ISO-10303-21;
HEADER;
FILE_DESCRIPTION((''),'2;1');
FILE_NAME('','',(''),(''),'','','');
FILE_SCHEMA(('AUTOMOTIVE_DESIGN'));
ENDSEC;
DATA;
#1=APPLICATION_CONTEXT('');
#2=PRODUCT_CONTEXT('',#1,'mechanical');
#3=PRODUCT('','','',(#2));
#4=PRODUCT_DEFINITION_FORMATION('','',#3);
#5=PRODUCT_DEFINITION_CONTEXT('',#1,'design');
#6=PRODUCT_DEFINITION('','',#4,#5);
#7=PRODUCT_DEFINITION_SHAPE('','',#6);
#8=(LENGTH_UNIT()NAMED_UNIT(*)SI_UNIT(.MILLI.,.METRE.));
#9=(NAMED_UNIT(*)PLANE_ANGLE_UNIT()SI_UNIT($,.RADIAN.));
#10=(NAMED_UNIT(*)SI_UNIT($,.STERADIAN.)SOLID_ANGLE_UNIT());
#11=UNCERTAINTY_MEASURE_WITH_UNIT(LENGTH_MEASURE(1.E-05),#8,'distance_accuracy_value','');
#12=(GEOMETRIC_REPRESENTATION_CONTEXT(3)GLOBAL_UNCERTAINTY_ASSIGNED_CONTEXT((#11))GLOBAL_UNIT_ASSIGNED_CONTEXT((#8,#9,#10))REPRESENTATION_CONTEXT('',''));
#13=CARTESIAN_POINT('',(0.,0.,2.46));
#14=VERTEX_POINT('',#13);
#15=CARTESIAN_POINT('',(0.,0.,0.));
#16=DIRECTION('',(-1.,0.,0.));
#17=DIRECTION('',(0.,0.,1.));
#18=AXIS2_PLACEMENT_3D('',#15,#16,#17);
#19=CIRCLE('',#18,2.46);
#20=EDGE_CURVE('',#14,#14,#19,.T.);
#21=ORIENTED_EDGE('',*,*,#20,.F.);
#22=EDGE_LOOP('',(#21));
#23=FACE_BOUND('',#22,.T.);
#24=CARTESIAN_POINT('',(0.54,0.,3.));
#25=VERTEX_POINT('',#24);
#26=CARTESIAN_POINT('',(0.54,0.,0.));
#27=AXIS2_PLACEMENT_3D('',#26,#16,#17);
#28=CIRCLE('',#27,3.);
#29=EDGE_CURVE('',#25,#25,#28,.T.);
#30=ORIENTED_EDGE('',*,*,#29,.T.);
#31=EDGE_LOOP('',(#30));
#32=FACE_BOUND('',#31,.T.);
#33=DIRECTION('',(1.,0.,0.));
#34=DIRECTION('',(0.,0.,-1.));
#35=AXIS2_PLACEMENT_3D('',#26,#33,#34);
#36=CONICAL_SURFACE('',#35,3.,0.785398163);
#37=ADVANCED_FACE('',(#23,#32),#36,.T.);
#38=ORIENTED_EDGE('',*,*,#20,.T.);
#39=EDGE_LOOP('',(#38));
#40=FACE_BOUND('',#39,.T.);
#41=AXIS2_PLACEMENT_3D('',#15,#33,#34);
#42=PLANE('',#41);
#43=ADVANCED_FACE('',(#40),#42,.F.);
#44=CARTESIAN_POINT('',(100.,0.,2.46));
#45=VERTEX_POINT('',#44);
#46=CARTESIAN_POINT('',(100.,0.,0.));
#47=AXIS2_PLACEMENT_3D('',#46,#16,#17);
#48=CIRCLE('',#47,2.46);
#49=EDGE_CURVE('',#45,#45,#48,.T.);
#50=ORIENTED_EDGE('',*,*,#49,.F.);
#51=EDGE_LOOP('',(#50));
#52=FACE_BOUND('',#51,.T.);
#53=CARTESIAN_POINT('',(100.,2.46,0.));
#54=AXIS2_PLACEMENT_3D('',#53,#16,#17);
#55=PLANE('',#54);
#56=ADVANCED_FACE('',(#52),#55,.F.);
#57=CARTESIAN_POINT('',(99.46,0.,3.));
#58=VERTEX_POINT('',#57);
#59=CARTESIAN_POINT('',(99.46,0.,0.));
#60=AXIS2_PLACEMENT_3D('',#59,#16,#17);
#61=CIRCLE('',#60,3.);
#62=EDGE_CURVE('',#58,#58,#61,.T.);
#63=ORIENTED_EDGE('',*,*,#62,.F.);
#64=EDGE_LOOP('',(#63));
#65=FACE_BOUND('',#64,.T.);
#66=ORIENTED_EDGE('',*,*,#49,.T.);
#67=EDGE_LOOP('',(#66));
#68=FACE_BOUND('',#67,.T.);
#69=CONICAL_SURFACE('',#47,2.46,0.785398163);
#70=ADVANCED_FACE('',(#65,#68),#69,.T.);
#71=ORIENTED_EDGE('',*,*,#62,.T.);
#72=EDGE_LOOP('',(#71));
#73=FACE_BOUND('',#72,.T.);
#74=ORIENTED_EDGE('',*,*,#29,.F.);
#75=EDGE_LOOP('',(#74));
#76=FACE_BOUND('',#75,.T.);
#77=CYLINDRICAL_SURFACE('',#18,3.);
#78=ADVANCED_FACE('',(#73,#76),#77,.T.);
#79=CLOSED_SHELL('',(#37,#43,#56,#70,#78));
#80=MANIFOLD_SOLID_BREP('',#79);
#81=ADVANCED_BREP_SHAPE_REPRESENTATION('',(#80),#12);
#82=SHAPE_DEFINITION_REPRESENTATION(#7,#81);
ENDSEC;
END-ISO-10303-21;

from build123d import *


with BuildPart() as part:
    # Sketch1 → Revolve1 (revolve)
    with BuildSketch(Plane.XY, mode=Mode.PRIVATE) as revolve1_sk:
        Polygon((0, 0), (0, 2.46), (0.54, 3), (99.46, 3), (100, 2.46), (100, 0), align=None)
    revolve(revolve1_sk.sketch.rotate(Axis((0, 0, 0), (1, 0, 0)), 90), axis=Axis((0, 0, 0), (1, 0, 0)))


solid = part.part
